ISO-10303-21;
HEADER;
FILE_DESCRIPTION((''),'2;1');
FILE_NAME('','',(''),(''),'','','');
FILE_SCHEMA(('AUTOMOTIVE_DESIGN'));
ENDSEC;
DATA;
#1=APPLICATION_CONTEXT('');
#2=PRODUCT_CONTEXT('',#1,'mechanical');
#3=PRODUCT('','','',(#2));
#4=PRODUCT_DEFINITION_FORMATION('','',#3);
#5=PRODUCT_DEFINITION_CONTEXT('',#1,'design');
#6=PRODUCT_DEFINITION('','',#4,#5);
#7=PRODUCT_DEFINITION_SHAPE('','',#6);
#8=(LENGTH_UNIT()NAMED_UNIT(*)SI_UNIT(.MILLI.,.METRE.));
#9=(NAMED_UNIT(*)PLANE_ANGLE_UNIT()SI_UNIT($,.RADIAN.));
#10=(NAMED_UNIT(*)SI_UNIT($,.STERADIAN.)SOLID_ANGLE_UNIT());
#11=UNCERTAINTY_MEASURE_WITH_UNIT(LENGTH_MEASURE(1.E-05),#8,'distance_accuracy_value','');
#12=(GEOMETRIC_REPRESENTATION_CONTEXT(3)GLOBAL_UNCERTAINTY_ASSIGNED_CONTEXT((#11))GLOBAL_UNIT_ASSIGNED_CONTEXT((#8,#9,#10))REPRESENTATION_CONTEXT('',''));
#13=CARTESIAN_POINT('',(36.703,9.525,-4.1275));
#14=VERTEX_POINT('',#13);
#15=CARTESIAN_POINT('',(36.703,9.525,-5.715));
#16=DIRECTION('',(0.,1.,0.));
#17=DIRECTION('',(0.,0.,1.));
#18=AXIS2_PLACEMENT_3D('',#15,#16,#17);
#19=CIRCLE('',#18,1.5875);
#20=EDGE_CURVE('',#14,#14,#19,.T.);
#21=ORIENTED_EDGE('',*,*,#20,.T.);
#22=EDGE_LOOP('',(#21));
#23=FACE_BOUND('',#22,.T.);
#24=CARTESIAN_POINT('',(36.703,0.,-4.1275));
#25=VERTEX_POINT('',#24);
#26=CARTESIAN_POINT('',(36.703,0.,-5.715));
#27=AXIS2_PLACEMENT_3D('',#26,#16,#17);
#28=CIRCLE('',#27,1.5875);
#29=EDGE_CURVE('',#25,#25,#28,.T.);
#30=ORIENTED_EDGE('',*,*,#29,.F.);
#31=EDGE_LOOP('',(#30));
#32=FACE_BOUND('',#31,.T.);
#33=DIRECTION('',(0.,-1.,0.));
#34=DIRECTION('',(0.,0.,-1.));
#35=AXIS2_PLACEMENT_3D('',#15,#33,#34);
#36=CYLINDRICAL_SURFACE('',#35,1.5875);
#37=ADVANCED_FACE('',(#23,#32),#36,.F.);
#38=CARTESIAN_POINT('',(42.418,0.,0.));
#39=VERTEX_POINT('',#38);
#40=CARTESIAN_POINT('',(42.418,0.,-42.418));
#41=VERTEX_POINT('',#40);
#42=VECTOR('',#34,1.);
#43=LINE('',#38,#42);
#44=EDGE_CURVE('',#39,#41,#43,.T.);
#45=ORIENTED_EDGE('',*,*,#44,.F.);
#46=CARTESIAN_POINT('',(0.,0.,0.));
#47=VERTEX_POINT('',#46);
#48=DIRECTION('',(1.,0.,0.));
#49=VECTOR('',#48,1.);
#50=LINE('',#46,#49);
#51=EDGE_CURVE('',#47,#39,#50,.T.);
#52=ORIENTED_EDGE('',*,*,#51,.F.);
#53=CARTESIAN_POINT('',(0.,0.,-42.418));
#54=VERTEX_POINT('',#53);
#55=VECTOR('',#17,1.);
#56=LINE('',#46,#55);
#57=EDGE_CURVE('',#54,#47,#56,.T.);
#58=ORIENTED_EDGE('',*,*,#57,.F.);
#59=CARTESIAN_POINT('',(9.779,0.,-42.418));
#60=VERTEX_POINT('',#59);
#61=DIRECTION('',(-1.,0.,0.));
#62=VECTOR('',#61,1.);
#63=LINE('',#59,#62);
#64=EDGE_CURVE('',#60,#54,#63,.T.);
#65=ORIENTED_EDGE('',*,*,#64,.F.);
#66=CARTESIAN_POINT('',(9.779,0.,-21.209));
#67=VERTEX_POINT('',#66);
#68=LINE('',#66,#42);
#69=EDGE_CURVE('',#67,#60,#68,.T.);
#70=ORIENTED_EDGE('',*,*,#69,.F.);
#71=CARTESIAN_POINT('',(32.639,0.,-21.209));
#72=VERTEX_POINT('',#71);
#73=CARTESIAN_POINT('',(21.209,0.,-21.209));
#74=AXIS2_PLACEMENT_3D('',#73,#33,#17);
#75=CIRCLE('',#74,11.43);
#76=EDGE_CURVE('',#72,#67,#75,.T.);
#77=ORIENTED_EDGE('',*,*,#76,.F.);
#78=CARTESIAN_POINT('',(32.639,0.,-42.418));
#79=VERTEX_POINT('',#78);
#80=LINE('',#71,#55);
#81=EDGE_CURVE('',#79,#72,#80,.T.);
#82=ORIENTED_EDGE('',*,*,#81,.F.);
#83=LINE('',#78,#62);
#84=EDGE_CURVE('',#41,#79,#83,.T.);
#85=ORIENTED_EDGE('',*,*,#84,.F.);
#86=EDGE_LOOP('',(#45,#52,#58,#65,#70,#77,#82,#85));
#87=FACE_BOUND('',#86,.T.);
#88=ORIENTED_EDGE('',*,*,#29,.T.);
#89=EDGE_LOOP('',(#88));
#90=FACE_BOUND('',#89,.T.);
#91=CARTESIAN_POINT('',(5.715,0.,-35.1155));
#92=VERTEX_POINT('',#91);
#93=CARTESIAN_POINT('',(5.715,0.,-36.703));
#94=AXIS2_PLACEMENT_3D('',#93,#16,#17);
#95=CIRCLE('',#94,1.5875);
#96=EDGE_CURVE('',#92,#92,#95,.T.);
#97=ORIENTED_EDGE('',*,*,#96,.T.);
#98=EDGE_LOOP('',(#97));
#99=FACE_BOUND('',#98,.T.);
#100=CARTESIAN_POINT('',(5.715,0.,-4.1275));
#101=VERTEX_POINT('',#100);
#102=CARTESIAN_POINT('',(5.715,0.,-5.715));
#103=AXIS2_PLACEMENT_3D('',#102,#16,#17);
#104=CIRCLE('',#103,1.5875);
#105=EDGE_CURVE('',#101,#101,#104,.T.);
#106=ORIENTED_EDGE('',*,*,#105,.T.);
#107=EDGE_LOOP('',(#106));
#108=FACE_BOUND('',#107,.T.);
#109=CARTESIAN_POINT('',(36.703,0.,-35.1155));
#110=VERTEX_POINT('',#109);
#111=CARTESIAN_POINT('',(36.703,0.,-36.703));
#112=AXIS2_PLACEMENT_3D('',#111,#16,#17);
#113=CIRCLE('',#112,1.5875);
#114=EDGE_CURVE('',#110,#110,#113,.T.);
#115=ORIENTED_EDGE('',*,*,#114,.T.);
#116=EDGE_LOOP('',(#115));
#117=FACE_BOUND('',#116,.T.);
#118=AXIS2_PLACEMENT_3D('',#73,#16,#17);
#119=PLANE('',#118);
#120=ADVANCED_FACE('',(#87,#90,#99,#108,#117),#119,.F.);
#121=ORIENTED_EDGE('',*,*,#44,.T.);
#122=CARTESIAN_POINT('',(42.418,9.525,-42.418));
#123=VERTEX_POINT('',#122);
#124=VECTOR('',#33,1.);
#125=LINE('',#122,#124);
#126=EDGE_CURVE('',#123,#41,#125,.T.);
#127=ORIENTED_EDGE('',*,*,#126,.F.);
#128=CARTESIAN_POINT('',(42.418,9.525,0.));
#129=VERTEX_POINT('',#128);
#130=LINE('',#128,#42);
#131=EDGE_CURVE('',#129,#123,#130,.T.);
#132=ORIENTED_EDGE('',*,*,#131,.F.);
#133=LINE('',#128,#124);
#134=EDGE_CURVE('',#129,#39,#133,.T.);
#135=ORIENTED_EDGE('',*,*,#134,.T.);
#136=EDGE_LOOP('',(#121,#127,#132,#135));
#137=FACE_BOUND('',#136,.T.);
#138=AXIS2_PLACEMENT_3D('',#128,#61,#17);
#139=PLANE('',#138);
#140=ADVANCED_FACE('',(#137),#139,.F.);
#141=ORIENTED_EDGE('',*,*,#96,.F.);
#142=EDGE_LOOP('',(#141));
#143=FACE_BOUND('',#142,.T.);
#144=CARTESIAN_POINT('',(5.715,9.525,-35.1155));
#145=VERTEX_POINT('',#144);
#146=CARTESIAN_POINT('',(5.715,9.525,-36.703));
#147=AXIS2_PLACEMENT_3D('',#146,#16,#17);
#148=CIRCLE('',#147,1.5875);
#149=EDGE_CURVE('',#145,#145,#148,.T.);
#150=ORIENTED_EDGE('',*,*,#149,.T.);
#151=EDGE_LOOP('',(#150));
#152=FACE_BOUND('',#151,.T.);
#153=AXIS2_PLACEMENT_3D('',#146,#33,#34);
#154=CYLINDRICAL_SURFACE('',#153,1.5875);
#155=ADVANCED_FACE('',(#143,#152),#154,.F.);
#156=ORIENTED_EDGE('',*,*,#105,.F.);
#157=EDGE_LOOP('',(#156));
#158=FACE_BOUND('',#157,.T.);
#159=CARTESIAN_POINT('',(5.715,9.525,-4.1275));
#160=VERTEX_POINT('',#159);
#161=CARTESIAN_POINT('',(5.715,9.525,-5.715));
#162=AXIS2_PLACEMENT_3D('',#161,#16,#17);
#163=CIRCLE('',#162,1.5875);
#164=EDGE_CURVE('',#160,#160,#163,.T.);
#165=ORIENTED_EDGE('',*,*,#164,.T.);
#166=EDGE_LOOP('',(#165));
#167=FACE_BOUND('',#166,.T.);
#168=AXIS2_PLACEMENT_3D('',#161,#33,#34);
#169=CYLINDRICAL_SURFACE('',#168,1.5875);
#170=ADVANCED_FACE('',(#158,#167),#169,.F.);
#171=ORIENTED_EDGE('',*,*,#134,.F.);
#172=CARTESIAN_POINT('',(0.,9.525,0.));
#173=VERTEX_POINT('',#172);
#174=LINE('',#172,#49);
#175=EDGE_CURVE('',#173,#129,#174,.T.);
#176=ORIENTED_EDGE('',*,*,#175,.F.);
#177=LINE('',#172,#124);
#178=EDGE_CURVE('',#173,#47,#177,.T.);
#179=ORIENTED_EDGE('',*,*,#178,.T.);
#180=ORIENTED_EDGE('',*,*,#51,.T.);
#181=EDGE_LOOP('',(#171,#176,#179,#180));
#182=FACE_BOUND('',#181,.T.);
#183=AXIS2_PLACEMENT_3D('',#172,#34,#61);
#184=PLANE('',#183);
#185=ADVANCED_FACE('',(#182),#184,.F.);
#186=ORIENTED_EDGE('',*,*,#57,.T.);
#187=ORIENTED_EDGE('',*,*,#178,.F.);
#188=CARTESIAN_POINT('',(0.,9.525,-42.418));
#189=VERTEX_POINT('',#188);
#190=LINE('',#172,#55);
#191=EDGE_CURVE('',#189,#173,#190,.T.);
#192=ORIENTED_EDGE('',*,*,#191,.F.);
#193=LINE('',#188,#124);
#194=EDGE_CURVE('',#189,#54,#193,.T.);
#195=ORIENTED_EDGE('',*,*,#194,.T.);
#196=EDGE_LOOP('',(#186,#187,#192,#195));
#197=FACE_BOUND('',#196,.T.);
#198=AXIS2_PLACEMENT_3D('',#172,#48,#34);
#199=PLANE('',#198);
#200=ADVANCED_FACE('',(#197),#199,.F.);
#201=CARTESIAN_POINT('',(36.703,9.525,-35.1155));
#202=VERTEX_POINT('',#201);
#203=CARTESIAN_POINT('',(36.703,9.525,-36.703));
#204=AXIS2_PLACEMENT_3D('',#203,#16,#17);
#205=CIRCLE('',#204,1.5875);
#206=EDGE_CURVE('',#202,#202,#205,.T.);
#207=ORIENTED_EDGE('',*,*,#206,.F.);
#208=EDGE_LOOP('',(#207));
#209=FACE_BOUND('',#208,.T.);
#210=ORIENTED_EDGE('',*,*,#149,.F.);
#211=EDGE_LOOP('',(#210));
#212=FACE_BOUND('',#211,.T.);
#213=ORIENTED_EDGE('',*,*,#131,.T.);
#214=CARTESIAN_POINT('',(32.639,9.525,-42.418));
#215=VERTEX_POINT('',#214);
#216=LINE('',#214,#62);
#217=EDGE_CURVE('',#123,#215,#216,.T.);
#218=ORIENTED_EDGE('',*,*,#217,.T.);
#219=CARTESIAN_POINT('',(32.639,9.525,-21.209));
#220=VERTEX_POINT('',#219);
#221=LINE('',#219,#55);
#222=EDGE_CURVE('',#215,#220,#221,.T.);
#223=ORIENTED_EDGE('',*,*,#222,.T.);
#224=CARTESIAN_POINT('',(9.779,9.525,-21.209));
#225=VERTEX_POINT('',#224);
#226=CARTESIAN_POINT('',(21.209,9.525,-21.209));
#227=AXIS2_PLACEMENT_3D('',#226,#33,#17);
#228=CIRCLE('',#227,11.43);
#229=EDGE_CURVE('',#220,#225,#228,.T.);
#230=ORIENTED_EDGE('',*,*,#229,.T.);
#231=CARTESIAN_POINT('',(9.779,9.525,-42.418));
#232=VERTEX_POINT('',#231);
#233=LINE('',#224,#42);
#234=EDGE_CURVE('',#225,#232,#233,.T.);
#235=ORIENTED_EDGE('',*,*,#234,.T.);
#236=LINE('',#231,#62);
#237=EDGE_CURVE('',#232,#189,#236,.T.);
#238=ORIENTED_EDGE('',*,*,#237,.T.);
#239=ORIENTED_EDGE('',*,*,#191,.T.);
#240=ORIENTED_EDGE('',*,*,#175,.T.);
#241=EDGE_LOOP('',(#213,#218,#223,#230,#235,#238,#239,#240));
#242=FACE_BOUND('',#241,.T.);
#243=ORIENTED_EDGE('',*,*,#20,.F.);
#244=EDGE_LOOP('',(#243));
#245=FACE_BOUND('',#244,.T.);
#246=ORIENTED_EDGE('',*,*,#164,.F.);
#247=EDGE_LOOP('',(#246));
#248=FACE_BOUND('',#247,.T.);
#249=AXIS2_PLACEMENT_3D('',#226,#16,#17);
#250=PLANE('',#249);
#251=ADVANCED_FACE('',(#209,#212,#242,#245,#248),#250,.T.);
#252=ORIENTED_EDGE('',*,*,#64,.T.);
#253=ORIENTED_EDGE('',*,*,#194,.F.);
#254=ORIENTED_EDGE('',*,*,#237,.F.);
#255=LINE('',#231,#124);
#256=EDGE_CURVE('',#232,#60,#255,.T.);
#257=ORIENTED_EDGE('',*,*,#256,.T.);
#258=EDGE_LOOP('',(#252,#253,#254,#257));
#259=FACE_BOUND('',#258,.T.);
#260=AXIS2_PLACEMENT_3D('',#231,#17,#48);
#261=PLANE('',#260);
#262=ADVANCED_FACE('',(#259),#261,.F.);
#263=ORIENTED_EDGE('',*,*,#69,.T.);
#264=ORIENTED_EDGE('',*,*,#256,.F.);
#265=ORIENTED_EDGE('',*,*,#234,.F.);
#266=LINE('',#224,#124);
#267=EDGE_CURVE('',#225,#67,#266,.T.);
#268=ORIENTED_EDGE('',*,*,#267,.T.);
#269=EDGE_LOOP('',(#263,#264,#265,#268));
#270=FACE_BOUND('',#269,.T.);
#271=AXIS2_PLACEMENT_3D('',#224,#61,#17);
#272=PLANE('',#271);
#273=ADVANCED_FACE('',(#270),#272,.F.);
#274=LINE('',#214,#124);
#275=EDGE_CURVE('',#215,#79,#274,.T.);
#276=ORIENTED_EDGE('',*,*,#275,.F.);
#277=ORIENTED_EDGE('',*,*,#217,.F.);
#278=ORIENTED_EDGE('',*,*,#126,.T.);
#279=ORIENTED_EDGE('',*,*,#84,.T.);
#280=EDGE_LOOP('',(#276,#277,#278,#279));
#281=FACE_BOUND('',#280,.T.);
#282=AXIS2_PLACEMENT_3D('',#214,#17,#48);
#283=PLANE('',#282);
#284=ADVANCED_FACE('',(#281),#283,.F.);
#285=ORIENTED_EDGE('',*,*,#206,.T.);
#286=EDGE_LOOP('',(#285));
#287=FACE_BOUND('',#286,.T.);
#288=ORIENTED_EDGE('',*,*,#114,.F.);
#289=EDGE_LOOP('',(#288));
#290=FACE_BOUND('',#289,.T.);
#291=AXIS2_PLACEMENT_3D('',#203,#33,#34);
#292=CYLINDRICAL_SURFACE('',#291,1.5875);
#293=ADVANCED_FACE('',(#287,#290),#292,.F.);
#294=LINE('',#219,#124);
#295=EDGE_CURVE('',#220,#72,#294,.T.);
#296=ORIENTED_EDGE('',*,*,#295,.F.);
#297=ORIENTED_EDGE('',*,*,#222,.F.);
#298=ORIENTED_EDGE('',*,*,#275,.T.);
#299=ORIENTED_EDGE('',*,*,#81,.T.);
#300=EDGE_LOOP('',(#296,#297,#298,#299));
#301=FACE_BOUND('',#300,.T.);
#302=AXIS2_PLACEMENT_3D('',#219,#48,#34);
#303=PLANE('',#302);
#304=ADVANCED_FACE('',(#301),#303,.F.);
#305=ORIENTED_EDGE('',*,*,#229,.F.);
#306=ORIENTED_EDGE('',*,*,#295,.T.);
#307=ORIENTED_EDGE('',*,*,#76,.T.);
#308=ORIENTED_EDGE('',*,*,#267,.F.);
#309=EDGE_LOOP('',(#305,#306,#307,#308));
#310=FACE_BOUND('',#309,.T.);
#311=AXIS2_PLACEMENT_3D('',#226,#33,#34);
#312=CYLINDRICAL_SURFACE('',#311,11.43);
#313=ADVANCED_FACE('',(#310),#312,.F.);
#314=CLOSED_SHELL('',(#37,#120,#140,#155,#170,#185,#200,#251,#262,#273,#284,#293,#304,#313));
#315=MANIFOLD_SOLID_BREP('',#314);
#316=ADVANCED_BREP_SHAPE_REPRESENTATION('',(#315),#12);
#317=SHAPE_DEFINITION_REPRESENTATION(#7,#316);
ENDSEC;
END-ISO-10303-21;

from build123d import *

# Parameters (mm, degrees)
SKETCH1_R           = 1.5875
BOSS_EXTRUDE1_DEPTH = 9.525


with BuildPart() as part:
    # Sketch1 → Boss-Extrude1 (new body)
    with BuildSketch(Plane(origin=(0, 0, 0), x_dir=(1, 0, 0), z_dir=(0, 1, 0))):
        with BuildLine():
            Line((0, 0), (42.418, 0))
            Line((42.418, 0), (42.418, 42.418))
            Line((42.418, 42.418), (32.639, 42.418))
            Line((32.639, 42.418), (32.639, 21.209))
            ThreePointArc((32.639, 21.209), (21.209, 9.779), (9.779, 21.209))
            Line((9.779, 21.209), (9.779, 42.418))
            Line((9.779, 42.418), (0, 42.418))
            Line((0, 42.418), (0, 0))
        make_face()
        with Locations((5.715, 36.703)):
            Circle(SKETCH1_R, mode=Mode.SUBTRACT)
        with Locations((36.703, 36.703)):
            Circle(SKETCH1_R, mode=Mode.SUBTRACT)
        with Locations((36.703, 5.715)):
            Circle(SKETCH1_R, mode=Mode.SUBTRACT)
        with Locations((5.715, 5.715)):
            Circle(SKETCH1_R, mode=Mode.SUBTRACT)
    extrude(amount=BOSS_EXTRUDE1_DEPTH)


solid = part.part
